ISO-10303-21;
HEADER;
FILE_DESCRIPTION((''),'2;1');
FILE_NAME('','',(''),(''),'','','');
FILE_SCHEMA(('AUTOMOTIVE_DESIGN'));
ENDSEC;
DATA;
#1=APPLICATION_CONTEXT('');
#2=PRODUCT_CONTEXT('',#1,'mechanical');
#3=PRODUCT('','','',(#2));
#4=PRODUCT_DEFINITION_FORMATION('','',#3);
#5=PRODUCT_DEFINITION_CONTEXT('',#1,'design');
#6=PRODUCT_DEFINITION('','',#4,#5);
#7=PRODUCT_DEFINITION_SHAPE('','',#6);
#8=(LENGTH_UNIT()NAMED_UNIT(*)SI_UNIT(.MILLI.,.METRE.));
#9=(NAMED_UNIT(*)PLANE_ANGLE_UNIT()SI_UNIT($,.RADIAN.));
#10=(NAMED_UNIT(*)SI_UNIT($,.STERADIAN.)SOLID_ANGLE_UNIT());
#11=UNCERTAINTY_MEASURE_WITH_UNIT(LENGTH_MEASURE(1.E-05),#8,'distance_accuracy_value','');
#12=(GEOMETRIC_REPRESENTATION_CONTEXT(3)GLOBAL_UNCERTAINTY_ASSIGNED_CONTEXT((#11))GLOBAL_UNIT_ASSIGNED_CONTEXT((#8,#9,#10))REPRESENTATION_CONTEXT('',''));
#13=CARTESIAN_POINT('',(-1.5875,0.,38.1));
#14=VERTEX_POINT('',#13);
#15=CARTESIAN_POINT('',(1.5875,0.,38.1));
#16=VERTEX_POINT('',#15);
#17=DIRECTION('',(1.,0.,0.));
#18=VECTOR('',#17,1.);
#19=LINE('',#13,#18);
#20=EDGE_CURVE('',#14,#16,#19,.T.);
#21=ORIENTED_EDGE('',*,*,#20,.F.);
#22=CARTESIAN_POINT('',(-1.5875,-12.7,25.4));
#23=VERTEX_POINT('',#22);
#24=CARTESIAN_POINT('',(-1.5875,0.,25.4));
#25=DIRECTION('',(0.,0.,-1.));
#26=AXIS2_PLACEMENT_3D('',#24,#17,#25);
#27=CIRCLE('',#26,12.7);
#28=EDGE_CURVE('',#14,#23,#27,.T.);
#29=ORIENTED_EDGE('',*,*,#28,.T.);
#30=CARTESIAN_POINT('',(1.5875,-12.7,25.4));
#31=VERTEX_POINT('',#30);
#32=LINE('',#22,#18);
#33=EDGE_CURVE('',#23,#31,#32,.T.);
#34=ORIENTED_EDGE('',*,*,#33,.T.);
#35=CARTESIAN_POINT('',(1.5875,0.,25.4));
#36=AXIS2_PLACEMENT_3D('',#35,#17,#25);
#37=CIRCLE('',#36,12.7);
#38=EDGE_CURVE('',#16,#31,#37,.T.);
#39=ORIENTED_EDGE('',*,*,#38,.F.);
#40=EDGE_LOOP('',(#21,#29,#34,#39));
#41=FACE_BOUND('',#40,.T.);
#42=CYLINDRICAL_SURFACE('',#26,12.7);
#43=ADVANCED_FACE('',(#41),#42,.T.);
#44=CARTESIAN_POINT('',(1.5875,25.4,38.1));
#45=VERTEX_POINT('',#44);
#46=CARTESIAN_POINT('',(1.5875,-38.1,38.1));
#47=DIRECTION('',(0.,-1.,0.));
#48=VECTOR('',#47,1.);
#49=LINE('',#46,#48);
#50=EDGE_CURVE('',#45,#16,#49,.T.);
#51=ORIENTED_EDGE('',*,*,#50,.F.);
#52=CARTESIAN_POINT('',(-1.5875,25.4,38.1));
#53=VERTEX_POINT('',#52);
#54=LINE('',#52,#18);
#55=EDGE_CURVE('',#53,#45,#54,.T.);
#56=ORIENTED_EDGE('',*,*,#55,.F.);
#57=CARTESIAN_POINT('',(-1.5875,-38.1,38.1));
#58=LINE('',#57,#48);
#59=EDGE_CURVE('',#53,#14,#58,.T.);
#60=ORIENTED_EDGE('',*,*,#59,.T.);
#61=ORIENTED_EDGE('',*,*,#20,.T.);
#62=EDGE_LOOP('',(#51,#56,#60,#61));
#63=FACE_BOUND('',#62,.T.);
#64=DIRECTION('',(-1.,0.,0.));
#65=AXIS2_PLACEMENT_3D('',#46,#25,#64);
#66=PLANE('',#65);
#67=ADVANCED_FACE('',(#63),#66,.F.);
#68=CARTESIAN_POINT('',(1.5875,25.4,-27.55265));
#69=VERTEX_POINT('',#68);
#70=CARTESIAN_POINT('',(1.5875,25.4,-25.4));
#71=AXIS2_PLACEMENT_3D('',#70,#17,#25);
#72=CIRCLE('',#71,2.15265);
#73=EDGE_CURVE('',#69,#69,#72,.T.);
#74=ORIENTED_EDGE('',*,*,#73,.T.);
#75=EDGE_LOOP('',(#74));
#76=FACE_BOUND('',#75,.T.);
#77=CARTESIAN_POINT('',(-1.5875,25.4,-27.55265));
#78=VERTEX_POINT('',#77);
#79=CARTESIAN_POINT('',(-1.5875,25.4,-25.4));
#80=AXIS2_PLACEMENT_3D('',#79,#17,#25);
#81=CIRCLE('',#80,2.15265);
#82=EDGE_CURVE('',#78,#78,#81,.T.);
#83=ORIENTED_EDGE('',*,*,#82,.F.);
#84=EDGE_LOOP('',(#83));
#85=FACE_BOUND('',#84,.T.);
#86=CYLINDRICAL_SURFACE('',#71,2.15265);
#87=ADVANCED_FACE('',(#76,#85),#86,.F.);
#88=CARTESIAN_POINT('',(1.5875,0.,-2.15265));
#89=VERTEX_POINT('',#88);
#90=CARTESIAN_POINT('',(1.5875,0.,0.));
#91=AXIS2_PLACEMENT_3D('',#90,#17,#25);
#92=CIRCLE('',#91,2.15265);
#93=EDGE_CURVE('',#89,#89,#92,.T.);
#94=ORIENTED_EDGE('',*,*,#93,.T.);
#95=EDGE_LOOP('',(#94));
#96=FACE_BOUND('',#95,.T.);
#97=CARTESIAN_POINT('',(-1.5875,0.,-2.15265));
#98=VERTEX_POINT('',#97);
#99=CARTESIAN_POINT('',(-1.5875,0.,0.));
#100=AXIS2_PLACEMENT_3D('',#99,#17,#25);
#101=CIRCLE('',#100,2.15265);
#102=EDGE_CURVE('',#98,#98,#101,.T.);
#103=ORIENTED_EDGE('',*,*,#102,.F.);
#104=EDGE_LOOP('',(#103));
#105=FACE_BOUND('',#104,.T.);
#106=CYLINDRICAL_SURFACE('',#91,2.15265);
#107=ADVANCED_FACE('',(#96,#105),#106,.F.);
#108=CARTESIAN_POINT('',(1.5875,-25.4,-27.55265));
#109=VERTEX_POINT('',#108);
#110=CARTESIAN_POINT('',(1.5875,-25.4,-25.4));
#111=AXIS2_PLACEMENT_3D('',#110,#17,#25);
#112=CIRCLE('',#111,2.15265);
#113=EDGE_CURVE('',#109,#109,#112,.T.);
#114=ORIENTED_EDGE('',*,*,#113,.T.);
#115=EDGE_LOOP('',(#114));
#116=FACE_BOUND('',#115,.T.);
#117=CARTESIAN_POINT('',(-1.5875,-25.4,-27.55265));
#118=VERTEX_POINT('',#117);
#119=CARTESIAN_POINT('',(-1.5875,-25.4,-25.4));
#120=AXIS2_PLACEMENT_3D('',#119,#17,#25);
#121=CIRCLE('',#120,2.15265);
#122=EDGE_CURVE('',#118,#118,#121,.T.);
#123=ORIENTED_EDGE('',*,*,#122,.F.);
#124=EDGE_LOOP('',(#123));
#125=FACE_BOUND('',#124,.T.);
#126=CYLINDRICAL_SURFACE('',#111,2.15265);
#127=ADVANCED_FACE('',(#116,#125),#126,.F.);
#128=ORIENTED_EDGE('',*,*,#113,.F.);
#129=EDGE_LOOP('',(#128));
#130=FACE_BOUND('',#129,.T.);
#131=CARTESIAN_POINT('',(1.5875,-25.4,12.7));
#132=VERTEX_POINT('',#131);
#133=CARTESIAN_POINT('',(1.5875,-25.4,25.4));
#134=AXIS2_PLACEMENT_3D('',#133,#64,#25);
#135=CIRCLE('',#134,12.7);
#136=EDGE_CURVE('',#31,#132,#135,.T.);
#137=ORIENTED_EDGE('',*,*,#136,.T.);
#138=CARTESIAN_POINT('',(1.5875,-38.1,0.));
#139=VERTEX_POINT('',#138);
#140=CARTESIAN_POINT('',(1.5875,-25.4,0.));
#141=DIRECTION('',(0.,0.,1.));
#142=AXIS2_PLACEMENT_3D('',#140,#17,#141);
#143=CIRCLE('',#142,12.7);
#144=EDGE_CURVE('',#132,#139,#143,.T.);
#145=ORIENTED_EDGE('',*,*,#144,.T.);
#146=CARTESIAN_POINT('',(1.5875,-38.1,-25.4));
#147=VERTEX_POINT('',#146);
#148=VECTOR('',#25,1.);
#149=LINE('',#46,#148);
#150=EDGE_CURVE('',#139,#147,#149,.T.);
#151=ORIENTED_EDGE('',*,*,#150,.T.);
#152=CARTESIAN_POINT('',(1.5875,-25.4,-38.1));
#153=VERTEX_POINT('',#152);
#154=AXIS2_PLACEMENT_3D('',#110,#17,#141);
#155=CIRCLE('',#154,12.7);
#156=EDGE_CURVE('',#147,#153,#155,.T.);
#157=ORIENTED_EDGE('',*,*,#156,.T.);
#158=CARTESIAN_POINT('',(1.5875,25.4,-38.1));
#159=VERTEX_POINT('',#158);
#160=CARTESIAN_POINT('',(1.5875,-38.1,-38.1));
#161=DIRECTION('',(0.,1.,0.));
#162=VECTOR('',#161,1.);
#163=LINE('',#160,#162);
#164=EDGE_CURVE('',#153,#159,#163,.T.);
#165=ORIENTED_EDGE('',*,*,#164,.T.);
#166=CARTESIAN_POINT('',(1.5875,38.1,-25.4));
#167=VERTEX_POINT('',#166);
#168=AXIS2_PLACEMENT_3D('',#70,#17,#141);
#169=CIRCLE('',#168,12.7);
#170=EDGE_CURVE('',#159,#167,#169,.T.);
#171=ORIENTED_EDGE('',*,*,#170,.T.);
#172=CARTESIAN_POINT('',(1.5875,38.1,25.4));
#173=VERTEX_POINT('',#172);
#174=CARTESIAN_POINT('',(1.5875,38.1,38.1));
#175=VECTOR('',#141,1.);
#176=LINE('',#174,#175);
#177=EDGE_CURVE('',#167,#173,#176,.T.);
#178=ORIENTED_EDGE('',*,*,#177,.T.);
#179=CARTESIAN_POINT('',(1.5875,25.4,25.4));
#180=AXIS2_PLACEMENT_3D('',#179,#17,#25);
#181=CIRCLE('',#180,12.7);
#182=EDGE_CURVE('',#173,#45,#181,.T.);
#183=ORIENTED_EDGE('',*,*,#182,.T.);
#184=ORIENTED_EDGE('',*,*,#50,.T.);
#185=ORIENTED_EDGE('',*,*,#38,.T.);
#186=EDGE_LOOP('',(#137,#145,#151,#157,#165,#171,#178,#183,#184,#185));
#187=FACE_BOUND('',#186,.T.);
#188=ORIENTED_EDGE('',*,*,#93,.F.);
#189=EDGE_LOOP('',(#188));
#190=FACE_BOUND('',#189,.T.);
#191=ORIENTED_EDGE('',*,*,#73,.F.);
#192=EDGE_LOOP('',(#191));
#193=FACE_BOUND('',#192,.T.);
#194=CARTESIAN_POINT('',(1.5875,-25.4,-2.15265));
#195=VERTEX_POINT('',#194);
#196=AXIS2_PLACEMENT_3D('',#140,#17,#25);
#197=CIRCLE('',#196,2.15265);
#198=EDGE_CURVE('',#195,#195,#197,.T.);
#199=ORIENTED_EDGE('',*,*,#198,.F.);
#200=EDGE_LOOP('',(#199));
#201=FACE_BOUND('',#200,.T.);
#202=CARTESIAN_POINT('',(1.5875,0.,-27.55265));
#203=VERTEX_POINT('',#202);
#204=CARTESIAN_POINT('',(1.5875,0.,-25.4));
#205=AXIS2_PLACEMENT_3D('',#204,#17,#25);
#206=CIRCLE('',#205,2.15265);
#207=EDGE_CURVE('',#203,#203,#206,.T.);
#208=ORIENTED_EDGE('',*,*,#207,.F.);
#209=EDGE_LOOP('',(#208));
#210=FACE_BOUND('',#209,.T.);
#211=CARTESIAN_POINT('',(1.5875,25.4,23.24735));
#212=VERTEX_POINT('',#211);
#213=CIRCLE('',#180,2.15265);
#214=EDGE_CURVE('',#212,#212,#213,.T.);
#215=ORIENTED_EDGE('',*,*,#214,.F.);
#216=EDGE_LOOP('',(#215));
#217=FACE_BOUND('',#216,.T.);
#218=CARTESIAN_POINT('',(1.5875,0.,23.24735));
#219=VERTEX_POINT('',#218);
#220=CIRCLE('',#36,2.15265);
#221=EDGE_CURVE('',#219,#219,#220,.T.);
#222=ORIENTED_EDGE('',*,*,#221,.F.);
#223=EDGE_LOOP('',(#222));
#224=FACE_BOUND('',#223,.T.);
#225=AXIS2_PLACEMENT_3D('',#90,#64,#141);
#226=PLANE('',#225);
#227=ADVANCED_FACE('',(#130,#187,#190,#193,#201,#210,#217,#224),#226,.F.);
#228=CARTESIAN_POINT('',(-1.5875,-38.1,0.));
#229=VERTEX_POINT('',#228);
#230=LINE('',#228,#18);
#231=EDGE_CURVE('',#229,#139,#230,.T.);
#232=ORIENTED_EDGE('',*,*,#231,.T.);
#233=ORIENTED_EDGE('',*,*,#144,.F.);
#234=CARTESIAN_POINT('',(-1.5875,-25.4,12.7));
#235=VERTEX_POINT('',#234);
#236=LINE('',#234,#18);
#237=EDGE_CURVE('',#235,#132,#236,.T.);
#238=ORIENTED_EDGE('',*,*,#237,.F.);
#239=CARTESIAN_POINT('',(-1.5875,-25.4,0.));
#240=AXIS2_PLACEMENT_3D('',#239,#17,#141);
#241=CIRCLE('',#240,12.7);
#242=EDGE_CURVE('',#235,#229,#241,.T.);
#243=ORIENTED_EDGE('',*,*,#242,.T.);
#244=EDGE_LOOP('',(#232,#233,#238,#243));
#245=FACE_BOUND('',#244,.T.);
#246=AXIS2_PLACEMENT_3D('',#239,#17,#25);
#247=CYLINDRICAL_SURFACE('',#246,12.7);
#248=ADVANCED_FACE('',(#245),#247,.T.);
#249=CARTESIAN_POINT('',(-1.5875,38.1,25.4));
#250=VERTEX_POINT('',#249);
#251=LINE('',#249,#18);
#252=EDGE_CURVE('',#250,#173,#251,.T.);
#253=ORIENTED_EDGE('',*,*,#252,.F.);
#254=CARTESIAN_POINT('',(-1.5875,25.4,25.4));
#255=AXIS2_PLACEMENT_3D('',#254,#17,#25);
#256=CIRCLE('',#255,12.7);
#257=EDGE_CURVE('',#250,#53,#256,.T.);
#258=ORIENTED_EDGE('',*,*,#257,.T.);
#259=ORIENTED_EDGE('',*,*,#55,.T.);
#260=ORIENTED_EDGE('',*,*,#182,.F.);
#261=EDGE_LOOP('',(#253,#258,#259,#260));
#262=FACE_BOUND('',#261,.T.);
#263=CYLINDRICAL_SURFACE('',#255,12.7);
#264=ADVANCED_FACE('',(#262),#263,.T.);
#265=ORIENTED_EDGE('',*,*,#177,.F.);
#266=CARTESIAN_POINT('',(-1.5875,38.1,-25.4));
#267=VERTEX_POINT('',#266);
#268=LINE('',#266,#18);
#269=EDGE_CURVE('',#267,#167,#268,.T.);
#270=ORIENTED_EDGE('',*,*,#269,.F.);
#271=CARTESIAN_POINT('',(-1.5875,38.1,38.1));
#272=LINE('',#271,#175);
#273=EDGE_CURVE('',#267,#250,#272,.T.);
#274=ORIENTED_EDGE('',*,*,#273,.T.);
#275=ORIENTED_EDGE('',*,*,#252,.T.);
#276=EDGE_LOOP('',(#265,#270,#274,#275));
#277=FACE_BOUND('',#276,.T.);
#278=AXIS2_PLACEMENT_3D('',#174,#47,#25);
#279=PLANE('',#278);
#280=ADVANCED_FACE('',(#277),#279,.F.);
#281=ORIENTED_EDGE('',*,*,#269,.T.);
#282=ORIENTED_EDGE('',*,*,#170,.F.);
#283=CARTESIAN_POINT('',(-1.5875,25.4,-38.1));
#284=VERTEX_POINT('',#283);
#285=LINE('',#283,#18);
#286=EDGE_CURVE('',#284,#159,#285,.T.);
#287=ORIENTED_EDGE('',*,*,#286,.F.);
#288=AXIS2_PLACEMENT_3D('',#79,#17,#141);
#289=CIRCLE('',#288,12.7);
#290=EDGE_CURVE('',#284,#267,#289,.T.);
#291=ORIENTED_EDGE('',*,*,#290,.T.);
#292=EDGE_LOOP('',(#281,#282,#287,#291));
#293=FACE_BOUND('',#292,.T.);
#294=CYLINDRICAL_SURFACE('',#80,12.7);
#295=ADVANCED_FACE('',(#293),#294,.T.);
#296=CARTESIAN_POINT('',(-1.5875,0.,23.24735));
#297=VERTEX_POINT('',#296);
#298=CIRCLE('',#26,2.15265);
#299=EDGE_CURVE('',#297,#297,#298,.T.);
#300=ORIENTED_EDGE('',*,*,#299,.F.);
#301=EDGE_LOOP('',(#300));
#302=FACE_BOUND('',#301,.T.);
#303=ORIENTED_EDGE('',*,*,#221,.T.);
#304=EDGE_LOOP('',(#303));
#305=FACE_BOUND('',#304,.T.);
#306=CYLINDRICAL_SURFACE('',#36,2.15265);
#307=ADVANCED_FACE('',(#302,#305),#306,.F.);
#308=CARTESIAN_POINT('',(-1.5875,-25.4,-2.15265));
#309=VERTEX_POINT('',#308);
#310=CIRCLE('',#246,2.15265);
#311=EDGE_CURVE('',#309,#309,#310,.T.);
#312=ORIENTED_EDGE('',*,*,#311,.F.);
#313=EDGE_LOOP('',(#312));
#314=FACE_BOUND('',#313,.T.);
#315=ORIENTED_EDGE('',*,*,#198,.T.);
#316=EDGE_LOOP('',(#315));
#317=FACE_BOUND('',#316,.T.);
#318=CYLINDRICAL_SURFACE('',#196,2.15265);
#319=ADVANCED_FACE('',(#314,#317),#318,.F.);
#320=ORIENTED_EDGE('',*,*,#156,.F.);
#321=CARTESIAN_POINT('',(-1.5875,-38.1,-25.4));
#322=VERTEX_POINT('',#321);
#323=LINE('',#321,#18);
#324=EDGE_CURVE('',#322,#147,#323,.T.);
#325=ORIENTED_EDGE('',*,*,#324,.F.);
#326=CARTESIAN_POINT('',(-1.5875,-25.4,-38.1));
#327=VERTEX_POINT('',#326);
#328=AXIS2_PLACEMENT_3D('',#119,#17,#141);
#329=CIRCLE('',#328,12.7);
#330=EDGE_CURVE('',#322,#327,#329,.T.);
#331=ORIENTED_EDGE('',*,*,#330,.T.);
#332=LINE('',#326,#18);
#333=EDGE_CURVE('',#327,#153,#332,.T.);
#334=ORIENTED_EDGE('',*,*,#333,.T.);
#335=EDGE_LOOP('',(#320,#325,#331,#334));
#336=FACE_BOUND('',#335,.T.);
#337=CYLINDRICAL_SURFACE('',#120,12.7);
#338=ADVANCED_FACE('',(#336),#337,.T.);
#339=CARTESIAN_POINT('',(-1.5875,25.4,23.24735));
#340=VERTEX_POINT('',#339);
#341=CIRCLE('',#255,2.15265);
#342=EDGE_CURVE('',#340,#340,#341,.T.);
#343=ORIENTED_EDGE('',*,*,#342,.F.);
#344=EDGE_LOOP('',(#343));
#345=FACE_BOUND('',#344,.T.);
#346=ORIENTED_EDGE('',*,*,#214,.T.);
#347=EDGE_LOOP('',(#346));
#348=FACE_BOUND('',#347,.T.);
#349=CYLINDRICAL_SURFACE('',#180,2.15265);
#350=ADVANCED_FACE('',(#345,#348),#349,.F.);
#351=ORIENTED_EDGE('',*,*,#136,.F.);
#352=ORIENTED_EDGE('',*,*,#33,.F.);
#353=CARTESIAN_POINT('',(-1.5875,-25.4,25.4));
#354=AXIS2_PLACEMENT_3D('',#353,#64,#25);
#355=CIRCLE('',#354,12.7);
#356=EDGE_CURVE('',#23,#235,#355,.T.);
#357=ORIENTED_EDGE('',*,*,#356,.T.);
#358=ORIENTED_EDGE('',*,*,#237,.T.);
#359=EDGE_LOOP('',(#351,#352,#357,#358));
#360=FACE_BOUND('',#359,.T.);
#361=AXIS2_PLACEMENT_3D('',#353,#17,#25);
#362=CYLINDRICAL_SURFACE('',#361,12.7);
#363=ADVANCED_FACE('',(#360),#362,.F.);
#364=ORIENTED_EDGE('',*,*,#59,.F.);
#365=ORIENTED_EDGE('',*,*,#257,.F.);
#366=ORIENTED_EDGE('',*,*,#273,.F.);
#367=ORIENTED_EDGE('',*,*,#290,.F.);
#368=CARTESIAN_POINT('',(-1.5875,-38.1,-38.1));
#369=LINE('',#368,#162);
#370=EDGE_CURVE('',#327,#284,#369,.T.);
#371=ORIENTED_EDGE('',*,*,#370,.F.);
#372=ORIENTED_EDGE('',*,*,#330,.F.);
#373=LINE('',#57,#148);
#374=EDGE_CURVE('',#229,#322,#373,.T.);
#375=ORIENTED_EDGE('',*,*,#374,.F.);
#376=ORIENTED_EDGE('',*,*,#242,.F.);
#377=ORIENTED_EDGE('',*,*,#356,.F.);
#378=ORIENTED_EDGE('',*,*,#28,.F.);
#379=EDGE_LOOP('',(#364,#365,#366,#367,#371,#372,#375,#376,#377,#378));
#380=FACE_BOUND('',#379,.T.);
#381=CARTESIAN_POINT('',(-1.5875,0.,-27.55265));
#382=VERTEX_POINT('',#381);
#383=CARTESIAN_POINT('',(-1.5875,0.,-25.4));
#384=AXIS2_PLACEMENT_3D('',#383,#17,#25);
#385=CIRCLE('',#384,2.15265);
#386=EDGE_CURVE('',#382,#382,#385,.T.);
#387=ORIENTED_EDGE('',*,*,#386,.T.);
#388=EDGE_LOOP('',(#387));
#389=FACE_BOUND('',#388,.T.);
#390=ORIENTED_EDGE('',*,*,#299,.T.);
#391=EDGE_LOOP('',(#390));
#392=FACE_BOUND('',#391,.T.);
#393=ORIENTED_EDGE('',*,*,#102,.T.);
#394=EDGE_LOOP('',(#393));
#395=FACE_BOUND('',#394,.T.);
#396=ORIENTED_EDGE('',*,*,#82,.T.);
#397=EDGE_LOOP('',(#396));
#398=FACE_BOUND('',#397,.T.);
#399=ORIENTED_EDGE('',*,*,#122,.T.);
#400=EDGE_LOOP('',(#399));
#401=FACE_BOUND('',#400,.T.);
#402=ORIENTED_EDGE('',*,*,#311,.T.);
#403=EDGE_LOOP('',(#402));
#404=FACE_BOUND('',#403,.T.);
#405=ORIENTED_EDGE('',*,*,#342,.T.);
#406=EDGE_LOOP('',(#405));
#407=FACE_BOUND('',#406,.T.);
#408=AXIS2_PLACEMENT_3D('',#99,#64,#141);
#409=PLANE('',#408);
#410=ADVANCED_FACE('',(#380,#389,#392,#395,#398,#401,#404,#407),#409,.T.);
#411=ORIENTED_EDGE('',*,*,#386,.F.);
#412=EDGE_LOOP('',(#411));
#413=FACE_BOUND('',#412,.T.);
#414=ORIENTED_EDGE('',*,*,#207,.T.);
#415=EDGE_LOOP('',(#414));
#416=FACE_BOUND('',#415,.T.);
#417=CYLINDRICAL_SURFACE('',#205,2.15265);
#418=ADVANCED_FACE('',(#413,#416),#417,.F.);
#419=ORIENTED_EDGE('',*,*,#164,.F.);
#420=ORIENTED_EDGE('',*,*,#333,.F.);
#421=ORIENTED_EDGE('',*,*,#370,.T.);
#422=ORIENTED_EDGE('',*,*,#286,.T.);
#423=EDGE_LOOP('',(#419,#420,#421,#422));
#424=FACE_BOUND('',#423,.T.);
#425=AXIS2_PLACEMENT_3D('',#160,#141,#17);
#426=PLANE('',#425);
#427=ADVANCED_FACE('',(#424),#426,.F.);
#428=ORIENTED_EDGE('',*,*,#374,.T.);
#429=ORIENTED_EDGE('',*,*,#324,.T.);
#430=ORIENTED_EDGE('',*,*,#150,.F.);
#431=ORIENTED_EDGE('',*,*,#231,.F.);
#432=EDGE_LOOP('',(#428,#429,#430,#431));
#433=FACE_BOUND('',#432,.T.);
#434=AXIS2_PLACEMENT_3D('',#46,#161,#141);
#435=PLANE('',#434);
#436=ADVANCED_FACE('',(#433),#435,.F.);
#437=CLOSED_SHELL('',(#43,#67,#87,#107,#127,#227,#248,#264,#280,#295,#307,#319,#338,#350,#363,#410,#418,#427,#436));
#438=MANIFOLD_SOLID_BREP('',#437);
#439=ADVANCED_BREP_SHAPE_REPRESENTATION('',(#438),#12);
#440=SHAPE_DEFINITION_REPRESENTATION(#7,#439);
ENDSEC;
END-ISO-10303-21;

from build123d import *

# Parameters (mm, degrees)
SKETCH1_W             = 76.2
SKETCH1_H             = 76.2
BOSS_EXTRUDE1_DEPTH   = 1.5875
F_8_CLEARANCE_HOLE1_D = 4.3053
SKETCH4_W             = 101.6
SKETCH4_H             = 101.6
CUT_EXTRUDE1_DEPTH    = 54.975


with BuildPart() as part:
    # Sketch1 → Boss-Extrude1 (new, symmetric)
    with BuildSketch(Plane(origin=(0, 0, 0), x_dir=(0, 0, -1), z_dir=(1, 0, 0))):
        Rectangle(SKETCH1_W, SKETCH1_H)
    extrude(amount=BOSS_EXTRUDE1_DEPTH, both=True)

    # #8 Clearance Hole1 (through all)
    with Locations(Plane(origin=(1.5875, 0, 0), x_dir=(0, 0, -1), z_dir=(1, 0, 0))):
        with Locations((-25.4, 25.4), (-25.4, 0), (25.4, 25.4), (0, 0), (25.4, 0), (0, -25.4), (25.4, -25.4)):
            Hole(F_8_CLEARANCE_HOLE1_D / 2)

    # Sketch4 → Cut-Extrude1 (cut, through all)
    with BuildSketch(Plane(origin=(1.5875, 0, 0), x_dir=(0, 0, -1), z_dir=(1, 0, 0))):
        Rectangle(SKETCH4_W, SKETCH4_H)
        with BuildLine():
            Line((-38.1, 0), (-38.1, 25.4))
            ThreePointArc((-38.1, 25.4), (-34.380256121, 34.380256121), (-25.4, 38.1))
            Line((-25.4, 38.1), (25.4, 38.1))
            ThreePointArc((25.4, 38.1), (34.380256121, 34.380256121), (38.1, 25.4))
            Line((38.1, 25.4), (38.1, -25.4))
            ThreePointArc((38.1, -25.4), (34.380256121, -34.380256121), (25.4, -38.1))
            Line((25.4, -38.1), (0, -38.1))
            ThreePointArc((0, -38.1), (-8.980256121, -34.380256121), (-12.7, -25.4))
            ThreePointArc((-12.7, -25.4), (-16.419743879, -16.419743879), (-25.4, -12.7))
            ThreePointArc((-25.4, -12.7), (-34.380256121, -8.980256121), (-38.1, 0))
        make_face(mode=Mode.SUBTRACT)
    extrude(amount=-CUT_EXTRUDE1_DEPTH, mode=Mode.SUBTRACT)


solid = part.part
